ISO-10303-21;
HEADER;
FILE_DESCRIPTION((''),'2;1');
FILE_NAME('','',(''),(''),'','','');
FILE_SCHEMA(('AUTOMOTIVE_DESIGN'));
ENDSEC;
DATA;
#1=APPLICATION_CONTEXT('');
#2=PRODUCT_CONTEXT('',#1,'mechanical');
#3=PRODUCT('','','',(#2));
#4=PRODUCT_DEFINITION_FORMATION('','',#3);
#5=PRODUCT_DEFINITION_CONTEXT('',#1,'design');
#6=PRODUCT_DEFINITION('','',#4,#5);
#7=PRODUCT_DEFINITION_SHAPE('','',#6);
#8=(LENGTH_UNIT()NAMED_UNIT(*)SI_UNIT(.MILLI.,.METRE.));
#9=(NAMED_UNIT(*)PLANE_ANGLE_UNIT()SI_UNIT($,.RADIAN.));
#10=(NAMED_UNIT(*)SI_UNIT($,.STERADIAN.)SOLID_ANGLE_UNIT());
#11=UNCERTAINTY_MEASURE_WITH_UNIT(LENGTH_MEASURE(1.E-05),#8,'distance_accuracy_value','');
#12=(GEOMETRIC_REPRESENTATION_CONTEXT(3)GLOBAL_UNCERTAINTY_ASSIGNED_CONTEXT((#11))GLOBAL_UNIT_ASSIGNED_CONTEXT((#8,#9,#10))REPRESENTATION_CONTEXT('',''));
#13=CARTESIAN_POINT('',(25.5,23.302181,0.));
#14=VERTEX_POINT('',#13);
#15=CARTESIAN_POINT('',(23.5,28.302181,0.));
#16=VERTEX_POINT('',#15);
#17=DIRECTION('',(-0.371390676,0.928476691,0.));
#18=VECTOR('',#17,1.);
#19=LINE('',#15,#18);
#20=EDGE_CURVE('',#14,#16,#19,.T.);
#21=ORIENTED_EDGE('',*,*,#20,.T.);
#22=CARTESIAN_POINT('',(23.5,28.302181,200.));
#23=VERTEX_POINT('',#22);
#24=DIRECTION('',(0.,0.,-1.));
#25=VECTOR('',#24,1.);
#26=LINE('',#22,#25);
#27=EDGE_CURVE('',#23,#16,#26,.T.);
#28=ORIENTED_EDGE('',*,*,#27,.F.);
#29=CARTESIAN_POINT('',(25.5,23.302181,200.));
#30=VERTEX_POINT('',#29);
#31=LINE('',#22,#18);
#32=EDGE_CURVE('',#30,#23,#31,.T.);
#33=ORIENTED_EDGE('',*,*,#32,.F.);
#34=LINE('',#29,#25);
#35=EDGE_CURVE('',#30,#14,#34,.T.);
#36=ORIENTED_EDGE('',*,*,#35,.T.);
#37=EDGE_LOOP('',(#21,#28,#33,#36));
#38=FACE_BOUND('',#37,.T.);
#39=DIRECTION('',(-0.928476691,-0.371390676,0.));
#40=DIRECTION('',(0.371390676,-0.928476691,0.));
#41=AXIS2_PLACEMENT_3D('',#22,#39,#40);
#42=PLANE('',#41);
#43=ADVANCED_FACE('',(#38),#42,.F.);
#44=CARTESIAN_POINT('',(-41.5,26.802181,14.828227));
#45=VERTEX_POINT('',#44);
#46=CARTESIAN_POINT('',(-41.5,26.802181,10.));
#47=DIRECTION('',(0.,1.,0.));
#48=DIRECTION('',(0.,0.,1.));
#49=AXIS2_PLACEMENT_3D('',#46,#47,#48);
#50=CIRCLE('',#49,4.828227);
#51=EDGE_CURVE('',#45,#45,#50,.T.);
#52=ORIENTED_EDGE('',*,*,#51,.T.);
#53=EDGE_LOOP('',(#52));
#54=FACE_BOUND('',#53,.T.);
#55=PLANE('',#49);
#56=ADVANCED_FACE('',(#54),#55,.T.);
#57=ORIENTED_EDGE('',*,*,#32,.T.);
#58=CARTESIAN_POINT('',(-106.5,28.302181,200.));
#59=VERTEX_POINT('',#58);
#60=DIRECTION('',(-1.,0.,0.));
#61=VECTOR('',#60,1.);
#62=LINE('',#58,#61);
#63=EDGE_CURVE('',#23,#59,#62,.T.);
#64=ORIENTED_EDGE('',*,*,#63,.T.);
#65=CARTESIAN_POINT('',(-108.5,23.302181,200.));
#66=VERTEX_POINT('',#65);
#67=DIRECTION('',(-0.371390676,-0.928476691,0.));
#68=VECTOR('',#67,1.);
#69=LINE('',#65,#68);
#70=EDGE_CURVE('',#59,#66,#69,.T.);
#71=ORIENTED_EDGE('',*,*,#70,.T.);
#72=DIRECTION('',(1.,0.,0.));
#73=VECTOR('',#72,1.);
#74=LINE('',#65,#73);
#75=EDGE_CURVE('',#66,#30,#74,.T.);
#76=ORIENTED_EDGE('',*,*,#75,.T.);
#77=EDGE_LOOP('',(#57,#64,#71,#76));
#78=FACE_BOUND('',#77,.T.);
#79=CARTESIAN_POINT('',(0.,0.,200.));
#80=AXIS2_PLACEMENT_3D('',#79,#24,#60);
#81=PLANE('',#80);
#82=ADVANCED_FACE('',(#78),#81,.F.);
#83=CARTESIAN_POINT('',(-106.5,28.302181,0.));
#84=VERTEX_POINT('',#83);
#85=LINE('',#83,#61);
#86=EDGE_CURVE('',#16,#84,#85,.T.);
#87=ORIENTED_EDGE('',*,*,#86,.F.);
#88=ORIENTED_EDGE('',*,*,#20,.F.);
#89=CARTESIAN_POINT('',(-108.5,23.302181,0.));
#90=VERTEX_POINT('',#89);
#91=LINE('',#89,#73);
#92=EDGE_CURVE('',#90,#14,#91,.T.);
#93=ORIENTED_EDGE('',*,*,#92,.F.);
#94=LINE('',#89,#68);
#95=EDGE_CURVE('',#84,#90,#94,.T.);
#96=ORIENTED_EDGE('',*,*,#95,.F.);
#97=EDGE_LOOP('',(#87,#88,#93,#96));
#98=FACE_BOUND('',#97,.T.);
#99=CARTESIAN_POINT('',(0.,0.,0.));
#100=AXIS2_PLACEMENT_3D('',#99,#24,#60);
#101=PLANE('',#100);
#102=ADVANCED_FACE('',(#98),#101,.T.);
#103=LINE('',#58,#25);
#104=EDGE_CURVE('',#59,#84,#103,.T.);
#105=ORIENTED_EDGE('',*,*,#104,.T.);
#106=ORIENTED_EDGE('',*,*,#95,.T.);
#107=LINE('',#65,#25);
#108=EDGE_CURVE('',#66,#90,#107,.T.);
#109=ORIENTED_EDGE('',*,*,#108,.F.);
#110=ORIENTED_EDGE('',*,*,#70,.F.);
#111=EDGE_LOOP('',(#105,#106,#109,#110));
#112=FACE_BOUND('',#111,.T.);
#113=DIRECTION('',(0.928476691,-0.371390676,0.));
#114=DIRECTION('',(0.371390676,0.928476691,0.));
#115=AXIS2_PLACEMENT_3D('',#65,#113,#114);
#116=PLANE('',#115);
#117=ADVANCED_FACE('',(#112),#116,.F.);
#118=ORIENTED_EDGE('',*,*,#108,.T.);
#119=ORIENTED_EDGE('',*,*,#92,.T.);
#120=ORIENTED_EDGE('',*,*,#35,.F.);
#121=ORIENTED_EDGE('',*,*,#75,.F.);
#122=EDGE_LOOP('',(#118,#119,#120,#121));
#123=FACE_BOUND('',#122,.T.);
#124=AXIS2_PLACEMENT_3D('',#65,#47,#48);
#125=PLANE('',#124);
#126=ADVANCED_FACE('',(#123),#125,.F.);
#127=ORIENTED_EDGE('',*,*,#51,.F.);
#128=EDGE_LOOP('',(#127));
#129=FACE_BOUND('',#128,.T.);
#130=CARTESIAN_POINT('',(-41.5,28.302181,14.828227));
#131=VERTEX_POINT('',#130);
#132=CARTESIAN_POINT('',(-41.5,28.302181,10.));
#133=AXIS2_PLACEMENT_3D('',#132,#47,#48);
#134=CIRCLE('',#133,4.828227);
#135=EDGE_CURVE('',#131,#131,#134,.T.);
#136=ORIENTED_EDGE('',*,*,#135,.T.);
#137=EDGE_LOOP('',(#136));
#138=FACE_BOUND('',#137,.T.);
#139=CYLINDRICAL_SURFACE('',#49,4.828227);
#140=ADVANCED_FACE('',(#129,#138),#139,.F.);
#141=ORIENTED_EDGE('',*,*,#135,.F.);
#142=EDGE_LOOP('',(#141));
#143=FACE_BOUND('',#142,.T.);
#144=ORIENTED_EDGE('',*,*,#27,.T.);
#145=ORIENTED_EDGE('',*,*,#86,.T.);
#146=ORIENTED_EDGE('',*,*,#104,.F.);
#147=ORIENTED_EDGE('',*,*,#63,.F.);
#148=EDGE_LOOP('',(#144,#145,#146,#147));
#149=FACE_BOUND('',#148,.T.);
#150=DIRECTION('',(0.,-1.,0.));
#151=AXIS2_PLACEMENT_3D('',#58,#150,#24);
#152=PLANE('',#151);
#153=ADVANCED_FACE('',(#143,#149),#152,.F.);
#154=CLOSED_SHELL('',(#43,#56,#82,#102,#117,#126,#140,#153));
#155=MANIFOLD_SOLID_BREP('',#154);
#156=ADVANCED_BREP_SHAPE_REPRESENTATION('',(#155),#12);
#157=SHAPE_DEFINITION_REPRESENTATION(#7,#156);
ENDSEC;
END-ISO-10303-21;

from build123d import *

# Parameters (mm, degrees)
BOSS_EXTRUDE1_DEPTH = 200
SKETCH2_R           = 4.828226571
CUT_EXTRUDE1_DEPTH  = 1.5


with BuildPart() as part:
    # Sketch1 → Boss-Extrude1 (new body)
    with BuildSketch(Plane.XY):
        Polygon((-106.5, 28.302180685), (23.5, 28.302180685), (25.5, 23.302180685), (-108.5, 23.302180685), align=None)
    extrude(amount=BOSS_EXTRUDE1_DEPTH)

    # Sketch2 → Cut-Extrude1 (cut)
    with BuildSketch(Plane(origin=(0, 28.302180685, 0), x_dir=(1, 0, 0), z_dir=(0, 1, 0))):
        with Locations(Location((-41.5, -10, 0), (0, 0, 270))):
            Circle(SKETCH2_R)
    extrude(amount=-CUT_EXTRUDE1_DEPTH, mode=Mode.SUBTRACT)


solid = part.part
